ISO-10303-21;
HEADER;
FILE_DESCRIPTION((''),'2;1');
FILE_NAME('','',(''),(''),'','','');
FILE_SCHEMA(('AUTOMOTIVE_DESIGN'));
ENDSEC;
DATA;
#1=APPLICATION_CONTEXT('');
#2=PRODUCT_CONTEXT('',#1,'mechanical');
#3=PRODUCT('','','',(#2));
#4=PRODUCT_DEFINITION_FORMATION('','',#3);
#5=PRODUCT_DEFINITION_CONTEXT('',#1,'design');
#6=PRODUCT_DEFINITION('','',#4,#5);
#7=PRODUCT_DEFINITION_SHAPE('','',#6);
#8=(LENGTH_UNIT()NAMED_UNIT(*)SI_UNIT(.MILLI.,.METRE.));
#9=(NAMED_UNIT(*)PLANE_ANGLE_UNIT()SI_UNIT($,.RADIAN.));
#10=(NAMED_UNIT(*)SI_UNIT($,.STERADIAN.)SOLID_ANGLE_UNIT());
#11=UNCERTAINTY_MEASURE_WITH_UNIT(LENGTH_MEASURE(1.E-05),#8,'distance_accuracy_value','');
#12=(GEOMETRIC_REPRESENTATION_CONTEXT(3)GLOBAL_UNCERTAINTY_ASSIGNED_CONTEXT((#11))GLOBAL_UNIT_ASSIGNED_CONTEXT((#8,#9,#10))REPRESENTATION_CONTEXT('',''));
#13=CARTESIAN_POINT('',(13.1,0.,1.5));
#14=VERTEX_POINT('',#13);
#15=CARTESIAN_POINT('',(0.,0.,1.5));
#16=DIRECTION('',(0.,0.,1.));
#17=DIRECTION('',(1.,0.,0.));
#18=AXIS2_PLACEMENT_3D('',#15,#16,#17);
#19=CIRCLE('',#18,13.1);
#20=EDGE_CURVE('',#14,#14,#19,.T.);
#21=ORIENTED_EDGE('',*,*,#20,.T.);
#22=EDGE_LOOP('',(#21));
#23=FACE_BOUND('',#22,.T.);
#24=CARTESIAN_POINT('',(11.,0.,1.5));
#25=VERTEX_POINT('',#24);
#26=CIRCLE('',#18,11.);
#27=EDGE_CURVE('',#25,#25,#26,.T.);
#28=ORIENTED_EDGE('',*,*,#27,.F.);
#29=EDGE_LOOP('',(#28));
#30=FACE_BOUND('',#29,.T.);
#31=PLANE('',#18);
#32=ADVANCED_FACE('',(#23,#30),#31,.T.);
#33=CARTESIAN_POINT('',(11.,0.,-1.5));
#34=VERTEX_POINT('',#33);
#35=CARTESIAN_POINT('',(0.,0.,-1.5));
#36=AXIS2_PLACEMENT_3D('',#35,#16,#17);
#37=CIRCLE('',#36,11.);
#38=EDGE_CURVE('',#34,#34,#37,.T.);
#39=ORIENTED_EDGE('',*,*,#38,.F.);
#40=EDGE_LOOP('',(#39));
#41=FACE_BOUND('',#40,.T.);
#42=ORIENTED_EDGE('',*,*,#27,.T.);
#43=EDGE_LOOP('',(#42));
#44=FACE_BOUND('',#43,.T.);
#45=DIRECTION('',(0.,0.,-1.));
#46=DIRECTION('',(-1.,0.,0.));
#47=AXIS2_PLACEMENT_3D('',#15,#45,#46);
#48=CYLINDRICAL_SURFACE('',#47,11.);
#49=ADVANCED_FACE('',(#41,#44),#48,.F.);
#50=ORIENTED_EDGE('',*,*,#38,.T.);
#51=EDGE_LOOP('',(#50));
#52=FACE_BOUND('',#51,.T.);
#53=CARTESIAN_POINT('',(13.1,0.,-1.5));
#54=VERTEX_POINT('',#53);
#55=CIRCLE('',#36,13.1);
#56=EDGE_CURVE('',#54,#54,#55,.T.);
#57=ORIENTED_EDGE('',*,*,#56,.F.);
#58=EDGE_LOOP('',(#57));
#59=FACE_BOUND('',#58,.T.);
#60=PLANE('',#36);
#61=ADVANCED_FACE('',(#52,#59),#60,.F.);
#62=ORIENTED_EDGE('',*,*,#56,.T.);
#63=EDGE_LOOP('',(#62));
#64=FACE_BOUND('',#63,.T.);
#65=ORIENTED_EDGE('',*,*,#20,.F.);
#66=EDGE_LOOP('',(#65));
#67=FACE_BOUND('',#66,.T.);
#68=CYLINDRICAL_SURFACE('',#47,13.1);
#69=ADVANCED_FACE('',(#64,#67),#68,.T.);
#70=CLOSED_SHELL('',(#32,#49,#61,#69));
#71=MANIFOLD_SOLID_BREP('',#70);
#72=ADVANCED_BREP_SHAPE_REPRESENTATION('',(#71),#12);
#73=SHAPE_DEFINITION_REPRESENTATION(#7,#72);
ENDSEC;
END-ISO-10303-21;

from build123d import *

# Parameters (mm, degrees)
SKETCH1_R           = 13.1
SKETCH1_R_2         = 11
BOSS_EXTRUDE1_DEPTH = 1.5


with BuildPart() as part:
    # Sketch1 → Boss-Extrude1 (new, symmetric)
    with BuildSketch(Plane.XY):
        Circle(SKETCH1_R)
        Circle(SKETCH1_R_2, mode=Mode.SUBTRACT)
    extrude(amount=BOSS_EXTRUDE1_DEPTH, both=True)


solid = part.part
